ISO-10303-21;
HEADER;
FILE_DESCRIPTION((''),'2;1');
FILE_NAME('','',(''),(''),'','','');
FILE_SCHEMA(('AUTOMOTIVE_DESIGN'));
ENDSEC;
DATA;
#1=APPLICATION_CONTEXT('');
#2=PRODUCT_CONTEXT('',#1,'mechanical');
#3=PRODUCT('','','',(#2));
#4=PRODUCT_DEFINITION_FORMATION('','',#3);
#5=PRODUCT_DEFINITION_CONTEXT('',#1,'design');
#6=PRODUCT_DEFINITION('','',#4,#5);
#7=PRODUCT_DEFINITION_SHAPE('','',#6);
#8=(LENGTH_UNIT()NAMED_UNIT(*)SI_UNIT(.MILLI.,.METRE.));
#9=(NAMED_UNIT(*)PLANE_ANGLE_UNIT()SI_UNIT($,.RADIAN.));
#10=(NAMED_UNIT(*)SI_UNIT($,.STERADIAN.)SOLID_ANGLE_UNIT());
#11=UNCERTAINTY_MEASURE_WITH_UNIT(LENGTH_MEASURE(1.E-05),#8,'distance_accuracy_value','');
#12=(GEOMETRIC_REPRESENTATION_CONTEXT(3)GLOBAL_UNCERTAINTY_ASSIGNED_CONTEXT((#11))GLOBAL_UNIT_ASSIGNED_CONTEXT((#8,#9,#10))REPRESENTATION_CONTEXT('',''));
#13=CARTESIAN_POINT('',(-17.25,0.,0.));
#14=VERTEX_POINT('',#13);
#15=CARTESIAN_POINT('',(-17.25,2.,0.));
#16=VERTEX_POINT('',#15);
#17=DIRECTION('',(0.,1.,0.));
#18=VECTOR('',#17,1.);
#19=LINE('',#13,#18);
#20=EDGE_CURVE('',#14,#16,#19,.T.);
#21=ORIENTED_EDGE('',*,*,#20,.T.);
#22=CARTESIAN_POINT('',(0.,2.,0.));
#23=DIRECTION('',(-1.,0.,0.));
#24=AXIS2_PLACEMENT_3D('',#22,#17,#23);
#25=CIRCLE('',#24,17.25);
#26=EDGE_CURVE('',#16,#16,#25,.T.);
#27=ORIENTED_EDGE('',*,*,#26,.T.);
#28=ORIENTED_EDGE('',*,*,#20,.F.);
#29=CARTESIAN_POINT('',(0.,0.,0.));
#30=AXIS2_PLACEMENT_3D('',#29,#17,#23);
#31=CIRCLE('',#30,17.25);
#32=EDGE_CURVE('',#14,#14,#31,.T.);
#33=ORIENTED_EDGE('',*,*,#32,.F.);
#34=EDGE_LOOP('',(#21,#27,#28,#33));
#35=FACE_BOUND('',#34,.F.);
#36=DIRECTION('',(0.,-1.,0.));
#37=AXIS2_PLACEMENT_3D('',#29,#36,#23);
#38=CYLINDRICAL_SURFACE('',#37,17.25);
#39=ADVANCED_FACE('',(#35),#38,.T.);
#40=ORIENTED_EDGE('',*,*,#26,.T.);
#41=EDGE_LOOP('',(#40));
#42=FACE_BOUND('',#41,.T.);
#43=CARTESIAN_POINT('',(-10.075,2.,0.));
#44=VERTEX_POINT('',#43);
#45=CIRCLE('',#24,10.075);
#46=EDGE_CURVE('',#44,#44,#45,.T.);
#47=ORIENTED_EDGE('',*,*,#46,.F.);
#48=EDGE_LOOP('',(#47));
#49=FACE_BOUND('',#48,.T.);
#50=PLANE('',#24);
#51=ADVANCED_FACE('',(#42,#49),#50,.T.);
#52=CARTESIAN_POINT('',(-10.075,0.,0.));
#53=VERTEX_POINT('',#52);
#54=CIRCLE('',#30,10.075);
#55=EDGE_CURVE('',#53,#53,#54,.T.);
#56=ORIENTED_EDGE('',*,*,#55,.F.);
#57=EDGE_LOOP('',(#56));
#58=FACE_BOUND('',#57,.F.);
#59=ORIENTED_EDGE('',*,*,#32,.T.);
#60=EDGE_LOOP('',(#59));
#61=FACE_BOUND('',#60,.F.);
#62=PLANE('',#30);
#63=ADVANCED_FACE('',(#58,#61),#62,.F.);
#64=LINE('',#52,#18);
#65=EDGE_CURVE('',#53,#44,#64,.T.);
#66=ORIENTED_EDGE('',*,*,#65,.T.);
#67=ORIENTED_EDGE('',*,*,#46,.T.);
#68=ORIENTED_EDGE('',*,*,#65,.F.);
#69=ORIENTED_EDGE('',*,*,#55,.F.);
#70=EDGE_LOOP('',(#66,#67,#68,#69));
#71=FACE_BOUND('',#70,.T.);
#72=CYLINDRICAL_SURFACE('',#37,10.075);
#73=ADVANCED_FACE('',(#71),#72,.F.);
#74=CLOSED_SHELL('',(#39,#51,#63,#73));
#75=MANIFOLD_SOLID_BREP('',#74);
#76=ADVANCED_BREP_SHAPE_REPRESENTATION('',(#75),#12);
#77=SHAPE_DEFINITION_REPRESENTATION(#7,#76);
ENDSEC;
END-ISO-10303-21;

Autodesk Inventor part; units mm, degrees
ref_plane "YZ Plane" through (0, 0, 0) normal (1, 0, 0) x (0, 1, 0)
ref_plane "XZ Plane" through (0, 0, 0) normal (0, 1, 0) x (-1, 0, 0)
ref_plane "XY Plane" through (0, 0, 0) normal (0, 0, 1) x (1, 0, 0)
sketch "Skizze1" plane through (0, 0, 0) normal (0, 1, 0) x (-1, 0, 0)
  circle A0 centre (0, 0) radius 10.075
  circle A1 centre (0, 0) radius 17.25
  dimension "d0" = 20.15
  dimension "d1" = 34.5
extrude "Extrusion1" add sketch "Skizze1" along normal blind 2
properties part number "kugellager_flach" material "Stainless Steel"
